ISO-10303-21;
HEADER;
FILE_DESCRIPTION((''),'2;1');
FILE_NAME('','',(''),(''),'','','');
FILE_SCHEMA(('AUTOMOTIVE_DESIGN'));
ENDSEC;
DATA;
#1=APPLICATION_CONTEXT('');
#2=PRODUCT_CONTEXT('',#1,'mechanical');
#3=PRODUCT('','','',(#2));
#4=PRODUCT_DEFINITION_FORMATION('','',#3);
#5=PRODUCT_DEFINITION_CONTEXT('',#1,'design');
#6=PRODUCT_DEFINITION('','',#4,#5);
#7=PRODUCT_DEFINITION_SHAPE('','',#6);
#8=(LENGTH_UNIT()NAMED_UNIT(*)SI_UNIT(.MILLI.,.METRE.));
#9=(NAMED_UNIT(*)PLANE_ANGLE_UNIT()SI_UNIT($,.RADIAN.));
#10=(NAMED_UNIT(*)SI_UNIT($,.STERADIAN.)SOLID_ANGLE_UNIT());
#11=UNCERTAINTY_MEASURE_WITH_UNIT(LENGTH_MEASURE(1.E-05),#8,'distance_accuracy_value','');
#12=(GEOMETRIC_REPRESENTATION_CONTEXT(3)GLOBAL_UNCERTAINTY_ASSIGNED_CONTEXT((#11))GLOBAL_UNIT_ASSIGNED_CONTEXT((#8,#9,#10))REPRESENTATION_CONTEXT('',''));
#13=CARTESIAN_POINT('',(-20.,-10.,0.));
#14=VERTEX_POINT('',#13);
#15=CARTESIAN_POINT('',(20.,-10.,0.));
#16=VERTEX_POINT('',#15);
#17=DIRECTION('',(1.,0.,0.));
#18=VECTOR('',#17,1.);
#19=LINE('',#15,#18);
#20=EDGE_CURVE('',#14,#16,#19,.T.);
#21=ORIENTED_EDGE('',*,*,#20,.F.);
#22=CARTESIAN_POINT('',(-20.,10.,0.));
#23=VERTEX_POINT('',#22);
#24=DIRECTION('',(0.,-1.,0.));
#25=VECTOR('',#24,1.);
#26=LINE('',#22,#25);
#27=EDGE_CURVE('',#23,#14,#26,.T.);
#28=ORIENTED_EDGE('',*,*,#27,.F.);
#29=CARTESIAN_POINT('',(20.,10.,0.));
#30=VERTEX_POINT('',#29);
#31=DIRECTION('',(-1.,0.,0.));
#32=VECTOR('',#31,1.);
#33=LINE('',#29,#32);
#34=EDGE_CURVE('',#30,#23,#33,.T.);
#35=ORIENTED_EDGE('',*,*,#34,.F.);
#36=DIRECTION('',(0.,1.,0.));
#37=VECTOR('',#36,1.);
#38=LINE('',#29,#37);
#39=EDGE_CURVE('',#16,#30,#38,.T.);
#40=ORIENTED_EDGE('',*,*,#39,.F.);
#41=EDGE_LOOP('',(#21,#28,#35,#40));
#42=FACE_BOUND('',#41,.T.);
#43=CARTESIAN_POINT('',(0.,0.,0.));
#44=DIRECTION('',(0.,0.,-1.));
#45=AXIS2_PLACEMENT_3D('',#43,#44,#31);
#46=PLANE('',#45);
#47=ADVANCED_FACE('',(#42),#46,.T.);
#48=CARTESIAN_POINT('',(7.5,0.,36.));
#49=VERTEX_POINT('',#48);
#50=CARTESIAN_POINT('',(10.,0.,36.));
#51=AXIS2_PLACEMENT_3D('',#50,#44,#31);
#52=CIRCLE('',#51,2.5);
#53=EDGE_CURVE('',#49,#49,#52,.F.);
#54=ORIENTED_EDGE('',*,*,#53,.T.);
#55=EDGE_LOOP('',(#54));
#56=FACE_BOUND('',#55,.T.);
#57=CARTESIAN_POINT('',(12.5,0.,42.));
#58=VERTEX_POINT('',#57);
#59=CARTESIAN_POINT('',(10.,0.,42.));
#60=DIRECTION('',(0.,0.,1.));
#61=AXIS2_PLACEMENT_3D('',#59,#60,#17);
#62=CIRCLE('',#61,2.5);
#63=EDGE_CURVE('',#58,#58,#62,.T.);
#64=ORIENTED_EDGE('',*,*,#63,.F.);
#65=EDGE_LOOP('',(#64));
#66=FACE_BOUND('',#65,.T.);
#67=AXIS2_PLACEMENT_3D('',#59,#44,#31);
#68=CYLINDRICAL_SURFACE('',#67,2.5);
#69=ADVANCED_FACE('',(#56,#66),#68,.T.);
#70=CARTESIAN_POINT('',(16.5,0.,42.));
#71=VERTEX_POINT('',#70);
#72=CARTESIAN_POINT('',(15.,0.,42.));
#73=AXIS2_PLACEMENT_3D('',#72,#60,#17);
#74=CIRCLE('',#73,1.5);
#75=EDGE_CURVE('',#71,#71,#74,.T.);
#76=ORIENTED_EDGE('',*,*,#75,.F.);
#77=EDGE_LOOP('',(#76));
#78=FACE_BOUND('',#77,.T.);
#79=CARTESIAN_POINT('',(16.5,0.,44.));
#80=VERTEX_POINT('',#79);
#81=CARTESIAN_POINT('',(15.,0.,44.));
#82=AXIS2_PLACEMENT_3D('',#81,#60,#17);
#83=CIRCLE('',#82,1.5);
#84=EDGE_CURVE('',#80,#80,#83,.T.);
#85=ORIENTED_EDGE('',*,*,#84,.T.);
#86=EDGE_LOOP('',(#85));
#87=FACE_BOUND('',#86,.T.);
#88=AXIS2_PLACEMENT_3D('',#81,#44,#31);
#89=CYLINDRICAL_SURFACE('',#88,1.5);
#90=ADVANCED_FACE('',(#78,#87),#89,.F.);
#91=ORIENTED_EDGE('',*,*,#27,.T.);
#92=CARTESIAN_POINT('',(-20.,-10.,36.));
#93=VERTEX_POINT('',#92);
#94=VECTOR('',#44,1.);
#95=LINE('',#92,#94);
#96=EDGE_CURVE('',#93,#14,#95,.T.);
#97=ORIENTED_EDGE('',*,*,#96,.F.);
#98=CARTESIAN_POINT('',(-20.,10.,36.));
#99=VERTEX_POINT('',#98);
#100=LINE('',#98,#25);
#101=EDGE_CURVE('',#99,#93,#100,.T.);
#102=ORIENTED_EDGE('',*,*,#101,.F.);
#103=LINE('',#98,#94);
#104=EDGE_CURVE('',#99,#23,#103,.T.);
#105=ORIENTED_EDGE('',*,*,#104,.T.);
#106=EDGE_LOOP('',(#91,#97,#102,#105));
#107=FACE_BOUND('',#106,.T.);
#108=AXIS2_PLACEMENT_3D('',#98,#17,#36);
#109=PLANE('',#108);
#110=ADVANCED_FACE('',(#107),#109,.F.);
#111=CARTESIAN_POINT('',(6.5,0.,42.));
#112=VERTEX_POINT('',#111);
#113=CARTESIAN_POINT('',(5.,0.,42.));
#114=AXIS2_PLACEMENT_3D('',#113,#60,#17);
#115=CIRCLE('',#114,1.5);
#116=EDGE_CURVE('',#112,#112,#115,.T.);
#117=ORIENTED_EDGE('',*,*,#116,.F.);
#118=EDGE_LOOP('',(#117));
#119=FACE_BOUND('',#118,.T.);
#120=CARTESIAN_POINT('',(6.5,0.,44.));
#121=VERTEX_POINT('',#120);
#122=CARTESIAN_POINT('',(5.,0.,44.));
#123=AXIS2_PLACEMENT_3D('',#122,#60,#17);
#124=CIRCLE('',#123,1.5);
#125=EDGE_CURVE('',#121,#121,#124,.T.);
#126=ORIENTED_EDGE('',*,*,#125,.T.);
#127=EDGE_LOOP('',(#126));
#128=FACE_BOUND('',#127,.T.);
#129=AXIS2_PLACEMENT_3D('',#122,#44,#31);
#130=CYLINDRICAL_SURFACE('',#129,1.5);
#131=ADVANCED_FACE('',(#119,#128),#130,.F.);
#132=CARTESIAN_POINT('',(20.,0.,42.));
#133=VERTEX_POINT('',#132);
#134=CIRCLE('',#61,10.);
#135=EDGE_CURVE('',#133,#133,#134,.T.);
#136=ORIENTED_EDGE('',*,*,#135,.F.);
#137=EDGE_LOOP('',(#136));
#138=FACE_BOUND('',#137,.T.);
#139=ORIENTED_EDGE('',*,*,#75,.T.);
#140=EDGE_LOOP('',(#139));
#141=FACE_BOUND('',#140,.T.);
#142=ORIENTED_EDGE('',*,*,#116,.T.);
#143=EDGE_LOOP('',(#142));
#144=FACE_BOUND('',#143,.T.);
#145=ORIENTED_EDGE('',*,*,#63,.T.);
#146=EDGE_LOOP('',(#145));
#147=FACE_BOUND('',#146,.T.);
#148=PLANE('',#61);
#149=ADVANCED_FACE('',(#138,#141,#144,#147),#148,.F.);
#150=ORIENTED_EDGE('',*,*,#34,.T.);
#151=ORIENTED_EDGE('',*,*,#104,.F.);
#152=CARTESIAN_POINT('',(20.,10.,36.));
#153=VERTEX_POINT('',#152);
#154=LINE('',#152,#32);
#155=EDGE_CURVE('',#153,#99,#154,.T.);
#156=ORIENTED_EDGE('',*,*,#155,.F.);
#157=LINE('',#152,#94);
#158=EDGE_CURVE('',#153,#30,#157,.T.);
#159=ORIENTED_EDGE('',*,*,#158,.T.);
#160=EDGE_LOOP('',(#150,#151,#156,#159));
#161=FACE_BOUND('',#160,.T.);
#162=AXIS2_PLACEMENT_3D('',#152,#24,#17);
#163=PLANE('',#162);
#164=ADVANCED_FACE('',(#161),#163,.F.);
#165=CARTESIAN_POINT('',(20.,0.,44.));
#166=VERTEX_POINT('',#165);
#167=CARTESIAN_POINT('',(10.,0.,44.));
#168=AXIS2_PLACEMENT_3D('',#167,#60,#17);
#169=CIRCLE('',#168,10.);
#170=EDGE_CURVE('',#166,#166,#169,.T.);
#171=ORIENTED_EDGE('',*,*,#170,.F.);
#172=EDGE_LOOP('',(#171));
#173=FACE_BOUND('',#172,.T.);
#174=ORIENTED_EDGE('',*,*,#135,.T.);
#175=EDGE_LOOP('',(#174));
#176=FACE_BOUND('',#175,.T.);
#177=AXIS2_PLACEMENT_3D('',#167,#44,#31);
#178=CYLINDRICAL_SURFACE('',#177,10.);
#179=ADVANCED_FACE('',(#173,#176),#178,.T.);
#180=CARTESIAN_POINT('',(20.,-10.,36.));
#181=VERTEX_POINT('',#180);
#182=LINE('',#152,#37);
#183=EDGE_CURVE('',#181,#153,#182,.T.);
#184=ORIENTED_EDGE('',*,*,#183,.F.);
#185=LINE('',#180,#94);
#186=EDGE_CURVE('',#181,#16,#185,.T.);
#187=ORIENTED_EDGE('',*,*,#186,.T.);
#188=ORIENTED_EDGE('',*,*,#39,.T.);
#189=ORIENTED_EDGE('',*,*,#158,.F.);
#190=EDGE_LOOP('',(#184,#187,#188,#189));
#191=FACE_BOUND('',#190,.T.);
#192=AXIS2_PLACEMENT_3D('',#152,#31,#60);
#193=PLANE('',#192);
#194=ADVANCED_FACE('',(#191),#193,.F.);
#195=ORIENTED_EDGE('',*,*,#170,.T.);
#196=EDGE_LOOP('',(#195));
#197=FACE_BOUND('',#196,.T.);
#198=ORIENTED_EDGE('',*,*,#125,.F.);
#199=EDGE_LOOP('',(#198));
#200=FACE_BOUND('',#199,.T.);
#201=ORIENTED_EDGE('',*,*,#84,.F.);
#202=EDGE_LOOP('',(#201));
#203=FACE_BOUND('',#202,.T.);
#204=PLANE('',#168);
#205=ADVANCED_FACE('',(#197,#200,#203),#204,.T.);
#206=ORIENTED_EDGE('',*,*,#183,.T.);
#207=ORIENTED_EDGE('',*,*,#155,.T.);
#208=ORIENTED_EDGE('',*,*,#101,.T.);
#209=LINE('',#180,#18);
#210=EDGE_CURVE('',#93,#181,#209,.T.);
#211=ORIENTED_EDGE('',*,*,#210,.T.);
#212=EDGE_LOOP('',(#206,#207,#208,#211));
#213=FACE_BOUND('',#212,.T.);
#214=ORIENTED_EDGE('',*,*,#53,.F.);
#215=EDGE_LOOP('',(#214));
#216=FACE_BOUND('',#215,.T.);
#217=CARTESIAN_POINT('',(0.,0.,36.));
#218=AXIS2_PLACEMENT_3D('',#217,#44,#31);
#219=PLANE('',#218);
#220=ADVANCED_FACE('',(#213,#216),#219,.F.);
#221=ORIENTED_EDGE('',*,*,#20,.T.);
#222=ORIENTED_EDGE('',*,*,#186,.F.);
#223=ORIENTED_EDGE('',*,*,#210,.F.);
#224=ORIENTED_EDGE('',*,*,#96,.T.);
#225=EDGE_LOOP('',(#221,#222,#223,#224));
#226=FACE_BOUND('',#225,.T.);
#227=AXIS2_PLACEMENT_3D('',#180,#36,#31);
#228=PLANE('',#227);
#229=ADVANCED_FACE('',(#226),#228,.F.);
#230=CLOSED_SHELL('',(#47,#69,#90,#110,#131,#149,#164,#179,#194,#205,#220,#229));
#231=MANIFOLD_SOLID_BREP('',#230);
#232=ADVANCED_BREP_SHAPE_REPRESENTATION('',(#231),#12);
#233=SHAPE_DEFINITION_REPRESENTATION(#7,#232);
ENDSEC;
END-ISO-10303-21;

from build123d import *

# Parameters (mm, degrees)
SKETCH_1_W      = 40
SKETCH_1_H      = 20
EXTRUDE_1_DEPTH = 36
SKETCH_2_R      = 2.5
EXTRUDE_2_DEPTH = 6
SKETCH_4_R      = 10
SKETCH_4_R_2    = 1.5
EXTRUDE_3_DEPTH = 2


with BuildPart() as part:
    # Эскиз1 → Бобышка-Вытянуть1 (new body)
    with BuildSketch(Plane.XY):
        Rectangle(SKETCH_1_W, SKETCH_1_H)
    extrude(amount=EXTRUDE_1_DEPTH)

    # Эскиз2 → Бобышка-Вытянуть2 (add)
    with BuildSketch(Plane.XY.offset(36)):
        with Locations(Location((10, 0, 0), (0, 0, 180))):
            Circle(SKETCH_2_R)
    extrude(amount=EXTRUDE_2_DEPTH)

    # Эскиз4 → Бобышка-Вытянуть3 (add)
    with BuildSketch(Plane.XY.offset(42)):
        with Locations((10, 0)):
            Circle(SKETCH_4_R)
        with Locations((5, 0)):
            Circle(SKETCH_4_R_2, mode=Mode.SUBTRACT)
        with Locations((15, 0)):
            Circle(SKETCH_4_R_2, mode=Mode.SUBTRACT)
    extrude(amount=EXTRUDE_3_DEPTH)


solid = part.part
